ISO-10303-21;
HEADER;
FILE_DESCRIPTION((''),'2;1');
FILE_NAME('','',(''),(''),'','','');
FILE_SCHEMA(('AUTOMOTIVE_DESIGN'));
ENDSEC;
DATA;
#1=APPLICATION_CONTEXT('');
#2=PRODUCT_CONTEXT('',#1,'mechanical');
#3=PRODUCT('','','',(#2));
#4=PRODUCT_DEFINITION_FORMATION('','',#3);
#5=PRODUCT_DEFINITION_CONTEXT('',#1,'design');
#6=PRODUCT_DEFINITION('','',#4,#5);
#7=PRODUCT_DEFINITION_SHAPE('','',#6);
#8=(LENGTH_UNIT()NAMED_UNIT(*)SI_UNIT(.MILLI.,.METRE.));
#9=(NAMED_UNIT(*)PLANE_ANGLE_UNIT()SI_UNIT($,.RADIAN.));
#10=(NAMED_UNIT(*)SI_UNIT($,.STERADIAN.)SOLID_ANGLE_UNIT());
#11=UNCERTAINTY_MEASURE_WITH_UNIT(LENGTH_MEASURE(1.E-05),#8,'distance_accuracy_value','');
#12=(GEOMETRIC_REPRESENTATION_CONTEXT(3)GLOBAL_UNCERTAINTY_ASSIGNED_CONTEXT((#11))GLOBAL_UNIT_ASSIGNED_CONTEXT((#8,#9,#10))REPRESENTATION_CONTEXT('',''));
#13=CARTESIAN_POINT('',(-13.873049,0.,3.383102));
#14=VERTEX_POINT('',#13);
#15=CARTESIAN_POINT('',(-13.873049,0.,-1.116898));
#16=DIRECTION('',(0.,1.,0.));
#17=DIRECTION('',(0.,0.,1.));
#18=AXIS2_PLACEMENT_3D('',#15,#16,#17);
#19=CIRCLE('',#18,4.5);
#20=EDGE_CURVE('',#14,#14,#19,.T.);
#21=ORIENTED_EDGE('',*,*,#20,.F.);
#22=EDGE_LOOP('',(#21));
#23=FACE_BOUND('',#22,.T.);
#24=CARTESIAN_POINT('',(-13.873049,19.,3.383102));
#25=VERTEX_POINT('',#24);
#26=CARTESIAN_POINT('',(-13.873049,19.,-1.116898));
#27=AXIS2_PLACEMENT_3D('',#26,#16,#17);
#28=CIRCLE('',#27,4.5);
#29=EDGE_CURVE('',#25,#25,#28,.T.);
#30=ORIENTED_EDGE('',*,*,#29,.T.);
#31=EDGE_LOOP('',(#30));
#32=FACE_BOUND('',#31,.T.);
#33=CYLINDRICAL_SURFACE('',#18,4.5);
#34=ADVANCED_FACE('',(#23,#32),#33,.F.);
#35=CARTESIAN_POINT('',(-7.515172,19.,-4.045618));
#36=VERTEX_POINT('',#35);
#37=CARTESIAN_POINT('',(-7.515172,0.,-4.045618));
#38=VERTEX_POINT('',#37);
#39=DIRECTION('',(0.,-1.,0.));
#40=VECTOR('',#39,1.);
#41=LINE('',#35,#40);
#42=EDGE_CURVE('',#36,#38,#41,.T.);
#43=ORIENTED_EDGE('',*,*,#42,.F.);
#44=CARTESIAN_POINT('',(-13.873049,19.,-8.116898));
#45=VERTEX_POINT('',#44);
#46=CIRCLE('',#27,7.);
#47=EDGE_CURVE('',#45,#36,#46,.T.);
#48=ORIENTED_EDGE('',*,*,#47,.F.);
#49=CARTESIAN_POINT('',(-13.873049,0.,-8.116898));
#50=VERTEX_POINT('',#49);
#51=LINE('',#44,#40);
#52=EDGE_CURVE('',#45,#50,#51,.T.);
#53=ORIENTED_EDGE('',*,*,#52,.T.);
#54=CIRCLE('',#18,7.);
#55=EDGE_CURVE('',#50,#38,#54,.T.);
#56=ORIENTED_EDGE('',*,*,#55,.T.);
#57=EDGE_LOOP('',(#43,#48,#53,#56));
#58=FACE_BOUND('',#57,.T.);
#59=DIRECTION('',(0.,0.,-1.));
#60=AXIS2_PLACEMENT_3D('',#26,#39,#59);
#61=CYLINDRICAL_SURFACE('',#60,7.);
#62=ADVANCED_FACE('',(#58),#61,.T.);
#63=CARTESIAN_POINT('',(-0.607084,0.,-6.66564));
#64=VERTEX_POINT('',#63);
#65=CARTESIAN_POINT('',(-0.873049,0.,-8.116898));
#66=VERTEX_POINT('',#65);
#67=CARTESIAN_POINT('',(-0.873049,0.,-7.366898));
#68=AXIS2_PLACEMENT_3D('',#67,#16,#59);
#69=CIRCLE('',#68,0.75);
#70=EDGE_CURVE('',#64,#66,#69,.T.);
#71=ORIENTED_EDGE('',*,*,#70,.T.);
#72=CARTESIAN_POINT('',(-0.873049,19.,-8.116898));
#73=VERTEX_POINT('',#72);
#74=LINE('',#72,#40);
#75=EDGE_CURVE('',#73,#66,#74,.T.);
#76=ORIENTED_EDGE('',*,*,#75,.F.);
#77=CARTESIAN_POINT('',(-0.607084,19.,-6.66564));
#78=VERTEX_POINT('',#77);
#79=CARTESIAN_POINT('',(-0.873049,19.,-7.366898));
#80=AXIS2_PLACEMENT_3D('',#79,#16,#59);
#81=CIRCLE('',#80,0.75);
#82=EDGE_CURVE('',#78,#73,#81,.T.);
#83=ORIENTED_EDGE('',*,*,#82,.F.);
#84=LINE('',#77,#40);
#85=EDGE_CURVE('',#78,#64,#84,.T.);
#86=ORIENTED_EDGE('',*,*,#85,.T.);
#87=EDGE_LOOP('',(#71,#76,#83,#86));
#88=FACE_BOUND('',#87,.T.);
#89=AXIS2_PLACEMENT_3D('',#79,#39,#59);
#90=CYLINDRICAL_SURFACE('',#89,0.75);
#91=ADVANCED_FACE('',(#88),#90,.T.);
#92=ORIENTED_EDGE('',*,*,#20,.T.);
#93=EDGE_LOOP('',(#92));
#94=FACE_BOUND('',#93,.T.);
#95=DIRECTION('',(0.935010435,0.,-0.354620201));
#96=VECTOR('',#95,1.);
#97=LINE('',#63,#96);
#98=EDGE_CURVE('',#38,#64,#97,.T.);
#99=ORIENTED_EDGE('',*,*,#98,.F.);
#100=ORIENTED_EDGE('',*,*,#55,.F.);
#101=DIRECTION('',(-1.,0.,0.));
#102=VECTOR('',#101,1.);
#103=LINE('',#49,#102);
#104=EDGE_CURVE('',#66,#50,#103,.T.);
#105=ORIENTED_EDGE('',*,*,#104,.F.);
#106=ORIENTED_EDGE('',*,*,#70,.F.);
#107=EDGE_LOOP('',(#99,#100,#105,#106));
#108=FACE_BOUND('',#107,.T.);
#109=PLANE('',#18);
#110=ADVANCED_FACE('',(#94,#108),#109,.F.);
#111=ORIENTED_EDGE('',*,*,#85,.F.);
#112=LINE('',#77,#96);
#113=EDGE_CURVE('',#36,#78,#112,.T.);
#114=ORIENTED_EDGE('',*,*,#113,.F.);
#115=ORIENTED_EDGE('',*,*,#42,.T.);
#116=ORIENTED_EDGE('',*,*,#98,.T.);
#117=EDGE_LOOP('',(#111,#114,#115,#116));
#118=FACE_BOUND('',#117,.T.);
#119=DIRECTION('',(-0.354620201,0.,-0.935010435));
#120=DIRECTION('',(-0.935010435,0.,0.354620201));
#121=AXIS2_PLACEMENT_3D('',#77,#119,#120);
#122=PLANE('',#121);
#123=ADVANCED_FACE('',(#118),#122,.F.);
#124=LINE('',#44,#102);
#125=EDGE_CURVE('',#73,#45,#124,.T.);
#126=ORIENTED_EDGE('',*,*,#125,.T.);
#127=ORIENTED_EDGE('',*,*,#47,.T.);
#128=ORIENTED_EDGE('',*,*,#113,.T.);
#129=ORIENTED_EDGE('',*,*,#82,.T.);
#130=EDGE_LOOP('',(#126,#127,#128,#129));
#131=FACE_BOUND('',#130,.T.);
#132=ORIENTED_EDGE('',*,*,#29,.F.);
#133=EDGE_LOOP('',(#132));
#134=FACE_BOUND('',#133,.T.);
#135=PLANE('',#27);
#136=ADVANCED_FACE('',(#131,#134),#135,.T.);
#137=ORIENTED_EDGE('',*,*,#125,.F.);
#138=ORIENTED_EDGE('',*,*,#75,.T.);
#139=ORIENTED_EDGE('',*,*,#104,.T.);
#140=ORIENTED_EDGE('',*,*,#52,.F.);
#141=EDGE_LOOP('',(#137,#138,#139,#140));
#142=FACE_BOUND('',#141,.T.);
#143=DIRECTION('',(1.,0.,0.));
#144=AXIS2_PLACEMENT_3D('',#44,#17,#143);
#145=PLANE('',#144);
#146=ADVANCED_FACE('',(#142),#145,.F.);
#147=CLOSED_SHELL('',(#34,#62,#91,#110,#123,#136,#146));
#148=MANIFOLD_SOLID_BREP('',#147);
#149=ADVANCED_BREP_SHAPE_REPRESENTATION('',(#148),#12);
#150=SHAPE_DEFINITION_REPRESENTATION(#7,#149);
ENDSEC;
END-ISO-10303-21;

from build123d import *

# Parameters (mm, degrees)
SALIENTE_EXTRUIR1_DEPTH = 19
CROQUIS3_R              = 4.5
CORTAR_EXTRUIR1_DEPTH   = 19


with BuildPart() as part:
    # Croquis2 → Saliente-Extruir1 (new body)
    with BuildSketch(Plane(origin=(0, 0, 0), x_dir=(1, 0, 0), z_dir=(0, 1, 0))):
        with BuildLine():
            Line((-13.873049235, 8.116898032), (-0.873049235, 8.116898032))
            ThreePointArc((-0.873049235, 8.116898032), (-0.135335411, 7.502095351), (-0.607084084, 6.665640205))
            Line((-0.607084084, 6.665640205), (-7.515172482, 4.045618436))
            ThreePointArc((-7.515172482, 4.045618436), (-17.647897389, -4.778059255), (-13.873049235, 8.116898032))
        make_face()
    extrude(amount=SALIENTE_EXTRUIR1_DEPTH)

    # Croquis3 → Cortar-Extruir1 (cut)
    with BuildSketch(Plane(origin=(0, 19, 0), x_dir=(1, 0, 0), z_dir=(0, 1, 0))):
        with Locations((-13.873049235, 1.116898032)):
            Circle(CROQUIS3_R)
    extrude(amount=-CORTAR_EXTRUIR1_DEPTH, mode=Mode.SUBTRACT)


solid = part.part
